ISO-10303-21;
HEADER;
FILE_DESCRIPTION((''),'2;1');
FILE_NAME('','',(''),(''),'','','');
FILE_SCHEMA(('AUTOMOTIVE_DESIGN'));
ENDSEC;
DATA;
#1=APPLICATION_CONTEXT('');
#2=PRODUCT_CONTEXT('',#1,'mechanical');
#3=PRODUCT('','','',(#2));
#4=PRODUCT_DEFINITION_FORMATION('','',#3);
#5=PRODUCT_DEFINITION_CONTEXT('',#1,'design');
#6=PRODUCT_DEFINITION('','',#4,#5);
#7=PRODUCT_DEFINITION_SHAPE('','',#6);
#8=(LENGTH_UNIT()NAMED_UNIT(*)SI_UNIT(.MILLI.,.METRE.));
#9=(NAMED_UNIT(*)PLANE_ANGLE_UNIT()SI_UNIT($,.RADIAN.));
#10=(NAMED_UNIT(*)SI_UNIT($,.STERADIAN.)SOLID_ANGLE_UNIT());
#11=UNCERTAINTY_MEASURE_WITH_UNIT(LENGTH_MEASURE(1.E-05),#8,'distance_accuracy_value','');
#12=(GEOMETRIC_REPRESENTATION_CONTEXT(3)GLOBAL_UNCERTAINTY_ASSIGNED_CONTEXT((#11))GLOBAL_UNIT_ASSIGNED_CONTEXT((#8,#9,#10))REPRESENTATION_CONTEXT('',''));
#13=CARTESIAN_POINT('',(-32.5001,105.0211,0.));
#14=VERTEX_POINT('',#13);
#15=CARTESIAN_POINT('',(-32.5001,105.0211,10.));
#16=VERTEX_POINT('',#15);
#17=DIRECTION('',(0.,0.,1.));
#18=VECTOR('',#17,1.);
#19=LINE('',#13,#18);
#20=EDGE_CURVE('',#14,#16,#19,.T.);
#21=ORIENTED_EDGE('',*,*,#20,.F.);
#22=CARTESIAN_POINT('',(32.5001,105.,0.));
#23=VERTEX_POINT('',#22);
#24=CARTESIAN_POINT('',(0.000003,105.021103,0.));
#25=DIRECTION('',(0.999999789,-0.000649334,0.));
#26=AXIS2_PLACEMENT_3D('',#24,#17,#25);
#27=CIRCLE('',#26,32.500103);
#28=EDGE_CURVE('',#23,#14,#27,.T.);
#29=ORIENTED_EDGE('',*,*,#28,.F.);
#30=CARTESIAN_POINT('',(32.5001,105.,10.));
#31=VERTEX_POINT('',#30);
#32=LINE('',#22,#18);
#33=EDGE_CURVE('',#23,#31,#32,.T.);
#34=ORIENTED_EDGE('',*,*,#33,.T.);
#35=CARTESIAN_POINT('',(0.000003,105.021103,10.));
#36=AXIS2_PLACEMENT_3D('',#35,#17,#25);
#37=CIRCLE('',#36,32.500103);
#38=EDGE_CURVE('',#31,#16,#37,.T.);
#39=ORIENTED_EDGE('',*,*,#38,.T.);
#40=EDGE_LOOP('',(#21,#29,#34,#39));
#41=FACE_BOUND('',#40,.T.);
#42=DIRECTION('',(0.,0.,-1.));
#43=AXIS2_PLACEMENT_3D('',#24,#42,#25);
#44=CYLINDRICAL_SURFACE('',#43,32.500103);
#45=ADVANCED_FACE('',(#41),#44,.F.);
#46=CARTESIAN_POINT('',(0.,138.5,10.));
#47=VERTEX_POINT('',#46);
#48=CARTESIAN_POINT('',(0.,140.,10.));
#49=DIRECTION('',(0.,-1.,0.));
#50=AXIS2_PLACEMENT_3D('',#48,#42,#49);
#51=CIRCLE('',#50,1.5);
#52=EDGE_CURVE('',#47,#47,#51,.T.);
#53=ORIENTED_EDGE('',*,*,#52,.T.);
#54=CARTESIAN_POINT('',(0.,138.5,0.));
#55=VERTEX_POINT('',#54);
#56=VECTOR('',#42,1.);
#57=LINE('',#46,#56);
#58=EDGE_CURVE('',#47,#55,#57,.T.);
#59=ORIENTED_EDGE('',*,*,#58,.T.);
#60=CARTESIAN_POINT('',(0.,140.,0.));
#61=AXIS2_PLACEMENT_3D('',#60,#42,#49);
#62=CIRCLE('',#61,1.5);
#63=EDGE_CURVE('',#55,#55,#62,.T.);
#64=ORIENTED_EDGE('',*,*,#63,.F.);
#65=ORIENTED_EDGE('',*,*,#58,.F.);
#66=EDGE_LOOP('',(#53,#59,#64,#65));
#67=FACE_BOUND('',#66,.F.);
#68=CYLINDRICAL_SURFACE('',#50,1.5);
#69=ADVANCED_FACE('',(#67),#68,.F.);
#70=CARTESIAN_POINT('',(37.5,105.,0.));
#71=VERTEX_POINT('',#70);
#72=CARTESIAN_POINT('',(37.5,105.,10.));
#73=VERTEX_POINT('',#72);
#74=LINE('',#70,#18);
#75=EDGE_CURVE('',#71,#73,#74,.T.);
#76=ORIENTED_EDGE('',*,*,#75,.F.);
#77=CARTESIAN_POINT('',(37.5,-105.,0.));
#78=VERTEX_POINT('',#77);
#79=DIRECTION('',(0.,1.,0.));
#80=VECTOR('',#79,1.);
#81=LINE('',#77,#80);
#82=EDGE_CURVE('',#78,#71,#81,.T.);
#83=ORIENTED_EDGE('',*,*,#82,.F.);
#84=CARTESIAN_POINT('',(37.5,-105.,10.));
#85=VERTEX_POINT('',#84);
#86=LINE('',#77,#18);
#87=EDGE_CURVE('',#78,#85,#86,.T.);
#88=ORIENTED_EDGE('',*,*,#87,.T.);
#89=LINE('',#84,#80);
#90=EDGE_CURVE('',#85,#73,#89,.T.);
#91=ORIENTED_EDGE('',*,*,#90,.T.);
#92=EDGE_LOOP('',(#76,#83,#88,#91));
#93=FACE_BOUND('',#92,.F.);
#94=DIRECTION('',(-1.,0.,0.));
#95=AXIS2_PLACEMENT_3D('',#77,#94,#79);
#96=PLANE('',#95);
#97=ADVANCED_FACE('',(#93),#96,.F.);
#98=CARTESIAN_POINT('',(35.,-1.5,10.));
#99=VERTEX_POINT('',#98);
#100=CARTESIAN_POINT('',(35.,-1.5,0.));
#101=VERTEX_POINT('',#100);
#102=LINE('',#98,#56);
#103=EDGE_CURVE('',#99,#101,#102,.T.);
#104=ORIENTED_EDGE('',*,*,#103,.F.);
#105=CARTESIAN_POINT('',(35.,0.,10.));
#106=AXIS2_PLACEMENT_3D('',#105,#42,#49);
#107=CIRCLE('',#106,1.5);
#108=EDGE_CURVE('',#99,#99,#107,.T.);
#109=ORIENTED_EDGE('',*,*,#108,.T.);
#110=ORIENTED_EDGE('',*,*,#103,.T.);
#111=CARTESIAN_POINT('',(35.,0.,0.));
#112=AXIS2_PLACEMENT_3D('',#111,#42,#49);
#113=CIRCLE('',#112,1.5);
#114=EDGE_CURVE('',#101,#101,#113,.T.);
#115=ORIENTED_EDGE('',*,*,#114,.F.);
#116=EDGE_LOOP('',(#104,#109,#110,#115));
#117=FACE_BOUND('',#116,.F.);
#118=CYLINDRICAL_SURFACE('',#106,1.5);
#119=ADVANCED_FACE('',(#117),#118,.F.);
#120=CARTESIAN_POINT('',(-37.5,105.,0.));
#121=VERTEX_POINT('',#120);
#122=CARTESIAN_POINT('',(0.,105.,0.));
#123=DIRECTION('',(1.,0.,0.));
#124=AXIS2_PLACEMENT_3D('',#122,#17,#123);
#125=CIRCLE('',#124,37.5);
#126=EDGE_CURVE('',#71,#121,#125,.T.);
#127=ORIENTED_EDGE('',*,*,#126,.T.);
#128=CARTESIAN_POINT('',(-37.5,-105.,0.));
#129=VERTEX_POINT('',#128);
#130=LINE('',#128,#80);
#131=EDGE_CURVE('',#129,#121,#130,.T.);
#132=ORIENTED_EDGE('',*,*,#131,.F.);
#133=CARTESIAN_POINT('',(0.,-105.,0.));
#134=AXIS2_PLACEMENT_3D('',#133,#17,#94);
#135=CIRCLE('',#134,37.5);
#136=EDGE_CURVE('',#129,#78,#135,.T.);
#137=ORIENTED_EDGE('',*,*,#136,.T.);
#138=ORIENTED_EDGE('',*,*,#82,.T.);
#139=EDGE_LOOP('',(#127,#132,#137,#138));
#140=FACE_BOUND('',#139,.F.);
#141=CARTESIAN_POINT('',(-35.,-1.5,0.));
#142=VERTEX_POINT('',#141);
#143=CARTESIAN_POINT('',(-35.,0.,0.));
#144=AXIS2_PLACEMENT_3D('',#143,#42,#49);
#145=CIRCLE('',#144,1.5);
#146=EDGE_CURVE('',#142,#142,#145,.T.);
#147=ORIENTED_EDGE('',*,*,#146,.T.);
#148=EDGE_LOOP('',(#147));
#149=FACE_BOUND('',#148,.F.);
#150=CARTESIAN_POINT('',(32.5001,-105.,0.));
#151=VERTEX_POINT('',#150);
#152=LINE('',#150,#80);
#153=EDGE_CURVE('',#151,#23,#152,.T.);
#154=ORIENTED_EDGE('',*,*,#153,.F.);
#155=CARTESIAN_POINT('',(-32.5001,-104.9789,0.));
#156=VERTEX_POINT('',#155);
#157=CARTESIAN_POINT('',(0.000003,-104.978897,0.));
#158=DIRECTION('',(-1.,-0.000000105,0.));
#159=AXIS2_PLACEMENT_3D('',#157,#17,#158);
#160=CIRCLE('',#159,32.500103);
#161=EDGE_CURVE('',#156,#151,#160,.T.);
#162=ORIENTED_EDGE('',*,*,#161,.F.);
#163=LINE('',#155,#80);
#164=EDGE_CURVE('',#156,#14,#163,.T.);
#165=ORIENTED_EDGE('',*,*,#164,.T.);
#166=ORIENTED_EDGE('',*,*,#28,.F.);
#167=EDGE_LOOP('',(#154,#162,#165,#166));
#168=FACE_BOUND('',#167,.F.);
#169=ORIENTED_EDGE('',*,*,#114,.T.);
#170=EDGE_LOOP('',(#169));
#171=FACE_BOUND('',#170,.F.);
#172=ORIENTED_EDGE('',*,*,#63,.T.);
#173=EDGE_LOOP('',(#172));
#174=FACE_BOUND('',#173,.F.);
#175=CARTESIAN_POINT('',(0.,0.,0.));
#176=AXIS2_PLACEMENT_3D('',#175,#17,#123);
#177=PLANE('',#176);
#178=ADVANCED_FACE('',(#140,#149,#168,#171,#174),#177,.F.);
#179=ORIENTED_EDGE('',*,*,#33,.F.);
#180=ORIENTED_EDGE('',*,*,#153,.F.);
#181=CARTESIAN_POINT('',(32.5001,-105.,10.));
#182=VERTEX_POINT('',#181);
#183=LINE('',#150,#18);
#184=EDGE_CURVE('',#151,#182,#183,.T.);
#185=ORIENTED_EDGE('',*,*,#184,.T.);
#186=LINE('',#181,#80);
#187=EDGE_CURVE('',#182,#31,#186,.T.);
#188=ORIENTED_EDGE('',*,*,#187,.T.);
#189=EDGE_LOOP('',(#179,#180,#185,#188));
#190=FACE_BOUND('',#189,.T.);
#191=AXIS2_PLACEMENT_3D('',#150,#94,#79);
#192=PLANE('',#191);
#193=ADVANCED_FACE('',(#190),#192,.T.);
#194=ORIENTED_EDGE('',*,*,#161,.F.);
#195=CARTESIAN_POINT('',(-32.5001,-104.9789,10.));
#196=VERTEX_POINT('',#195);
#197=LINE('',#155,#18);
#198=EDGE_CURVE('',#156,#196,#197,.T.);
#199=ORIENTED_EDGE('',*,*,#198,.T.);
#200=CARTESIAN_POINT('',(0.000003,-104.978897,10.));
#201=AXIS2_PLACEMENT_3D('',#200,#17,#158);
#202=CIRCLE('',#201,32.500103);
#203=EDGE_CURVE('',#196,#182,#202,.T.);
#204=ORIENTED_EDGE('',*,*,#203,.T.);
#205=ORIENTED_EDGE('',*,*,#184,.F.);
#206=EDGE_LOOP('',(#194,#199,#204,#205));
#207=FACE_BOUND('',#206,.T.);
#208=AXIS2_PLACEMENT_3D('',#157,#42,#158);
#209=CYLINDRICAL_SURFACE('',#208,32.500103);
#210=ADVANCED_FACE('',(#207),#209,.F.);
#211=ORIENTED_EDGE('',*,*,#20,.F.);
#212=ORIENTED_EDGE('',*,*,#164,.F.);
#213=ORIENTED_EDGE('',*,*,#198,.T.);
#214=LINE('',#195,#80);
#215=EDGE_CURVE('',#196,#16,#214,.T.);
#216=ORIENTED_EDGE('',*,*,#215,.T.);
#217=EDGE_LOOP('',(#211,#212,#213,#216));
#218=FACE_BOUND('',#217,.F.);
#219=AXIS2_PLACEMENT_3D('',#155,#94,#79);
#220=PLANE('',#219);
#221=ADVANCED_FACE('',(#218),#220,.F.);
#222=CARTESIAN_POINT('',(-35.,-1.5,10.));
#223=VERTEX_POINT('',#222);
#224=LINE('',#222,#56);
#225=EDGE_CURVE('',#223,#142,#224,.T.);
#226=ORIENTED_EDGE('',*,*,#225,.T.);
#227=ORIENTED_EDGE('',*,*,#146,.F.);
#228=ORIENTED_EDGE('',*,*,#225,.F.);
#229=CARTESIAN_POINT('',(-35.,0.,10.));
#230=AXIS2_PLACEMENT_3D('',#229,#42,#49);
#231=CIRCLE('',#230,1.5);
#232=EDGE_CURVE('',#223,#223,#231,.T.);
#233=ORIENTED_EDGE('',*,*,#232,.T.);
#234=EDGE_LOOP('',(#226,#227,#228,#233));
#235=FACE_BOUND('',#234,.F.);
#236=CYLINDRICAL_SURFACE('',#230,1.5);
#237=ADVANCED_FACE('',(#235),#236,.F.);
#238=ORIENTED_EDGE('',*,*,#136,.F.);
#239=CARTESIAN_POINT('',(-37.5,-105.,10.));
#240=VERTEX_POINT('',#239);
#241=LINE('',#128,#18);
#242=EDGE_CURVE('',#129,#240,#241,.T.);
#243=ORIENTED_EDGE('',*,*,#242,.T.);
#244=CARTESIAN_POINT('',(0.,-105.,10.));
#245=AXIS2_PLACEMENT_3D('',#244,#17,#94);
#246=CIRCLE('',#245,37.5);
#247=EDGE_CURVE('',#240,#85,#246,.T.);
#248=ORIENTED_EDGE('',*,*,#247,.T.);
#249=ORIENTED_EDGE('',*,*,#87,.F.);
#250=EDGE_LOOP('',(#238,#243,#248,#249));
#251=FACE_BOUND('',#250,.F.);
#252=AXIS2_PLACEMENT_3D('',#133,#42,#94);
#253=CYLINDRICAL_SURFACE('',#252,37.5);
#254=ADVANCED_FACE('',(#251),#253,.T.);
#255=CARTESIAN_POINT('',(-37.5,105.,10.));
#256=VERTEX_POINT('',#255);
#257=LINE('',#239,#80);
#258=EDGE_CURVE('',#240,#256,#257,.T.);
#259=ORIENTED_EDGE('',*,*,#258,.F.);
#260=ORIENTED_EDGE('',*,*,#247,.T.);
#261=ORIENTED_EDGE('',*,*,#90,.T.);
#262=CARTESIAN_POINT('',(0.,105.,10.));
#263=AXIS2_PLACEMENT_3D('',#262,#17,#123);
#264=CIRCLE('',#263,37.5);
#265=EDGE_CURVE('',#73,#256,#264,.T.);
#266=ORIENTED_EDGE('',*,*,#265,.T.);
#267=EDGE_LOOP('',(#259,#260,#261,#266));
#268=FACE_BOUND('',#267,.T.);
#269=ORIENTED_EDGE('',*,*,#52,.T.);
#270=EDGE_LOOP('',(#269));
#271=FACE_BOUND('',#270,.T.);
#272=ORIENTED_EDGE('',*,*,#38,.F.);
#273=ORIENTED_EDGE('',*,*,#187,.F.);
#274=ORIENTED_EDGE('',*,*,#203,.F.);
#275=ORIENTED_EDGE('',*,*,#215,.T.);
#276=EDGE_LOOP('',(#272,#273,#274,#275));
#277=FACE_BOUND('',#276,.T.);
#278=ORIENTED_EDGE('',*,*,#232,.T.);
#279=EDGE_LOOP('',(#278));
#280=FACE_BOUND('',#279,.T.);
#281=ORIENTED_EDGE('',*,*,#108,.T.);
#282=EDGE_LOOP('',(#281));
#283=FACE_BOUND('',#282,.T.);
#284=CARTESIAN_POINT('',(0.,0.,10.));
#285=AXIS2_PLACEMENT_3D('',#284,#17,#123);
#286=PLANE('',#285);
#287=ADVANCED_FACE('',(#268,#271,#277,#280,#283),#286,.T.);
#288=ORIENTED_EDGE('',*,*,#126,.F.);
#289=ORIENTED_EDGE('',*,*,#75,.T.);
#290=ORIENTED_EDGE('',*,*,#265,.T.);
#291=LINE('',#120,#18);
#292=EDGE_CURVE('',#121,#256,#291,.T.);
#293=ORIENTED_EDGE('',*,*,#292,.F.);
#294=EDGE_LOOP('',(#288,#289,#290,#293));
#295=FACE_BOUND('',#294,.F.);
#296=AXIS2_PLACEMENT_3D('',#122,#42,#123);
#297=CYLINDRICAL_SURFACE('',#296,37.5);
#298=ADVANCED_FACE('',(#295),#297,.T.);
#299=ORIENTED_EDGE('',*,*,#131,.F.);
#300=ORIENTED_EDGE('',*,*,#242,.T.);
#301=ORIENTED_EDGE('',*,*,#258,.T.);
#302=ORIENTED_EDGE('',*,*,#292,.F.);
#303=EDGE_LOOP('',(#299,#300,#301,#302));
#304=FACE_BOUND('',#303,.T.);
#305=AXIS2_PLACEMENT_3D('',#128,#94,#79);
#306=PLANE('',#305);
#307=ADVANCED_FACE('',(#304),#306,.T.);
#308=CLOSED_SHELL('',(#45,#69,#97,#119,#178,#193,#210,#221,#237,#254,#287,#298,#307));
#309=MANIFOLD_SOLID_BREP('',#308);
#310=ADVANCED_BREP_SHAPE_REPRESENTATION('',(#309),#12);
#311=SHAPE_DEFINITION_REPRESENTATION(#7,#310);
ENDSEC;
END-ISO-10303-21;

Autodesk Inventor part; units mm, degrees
ref_plane "YZ Plane" through (0, 0, 0) normal (1, 0, 0) x (0, 1, 0)
ref_plane "XZ Plane" through (0, 0, 0) normal (0, 1, 0) x (-1, 0, 0)
ref_plane "XY Plane" through (0, 0, 0) normal (0, 0, 1) x (1, 0, 0)
sketch "Sketch1" plane through (0, 0, 0) normal (0, 0, 1) x (1, 0, 0)
  line L0 (-32.5001, -104.9789) -> (-32.5001, 105.0211)
  line L1 (-32.5001, -104.9789) -> (177.4999, -104.9789) construction
  line L2 (32.5001, -105) -> (32.5001, 105)
  line L3 (32.5001, -105) -> (242.5001, -105) construction
  arc A0 (32.5001, 105) -> (-32.5001, 105.0211) centre (0, 105.0211) ccw
  arc A1 (-32.5001, -104.9789) -> (32.5001, -105) centre (0, -104.9789) ccw
  line L4 (-37.5, -105) -> (-37.5, 105)
  line L5 (-37.5, -105) -> (172.5, -105) construction
  line L6 (37.5, -105) -> (37.5, 105)
  line L7 (37.5, -105) -> (247.5, -105) construction
  arc A2 (-37.5, -105) -> (37.5, -105) centre (0, -105) ccw
  arc A3 (37.5, 105) -> (-37.5, 105) centre (0, 105) ccw
  point P0 (0, 0)
  dimension "d0" = 210
  dimension "d1" = 90
  dimension "d2" = 210
  dimension "d3" = 90
  dimension "d4" = 210
  dimension "d5" = 90
  dimension "d6" = 210
  dimension "d7" = 90
extrude "Extrusion1" add sketch "Sketch1" along normal blind 10
sketch "Sketch3" plane through (0, 0, 10) normal (0, 0, 1) x (1, 0, 0)
  circle A0 centre (-35, 0) radius 1.5
  circle A1 centre (0, -140) radius 1.5
  circle A2 centre (35, 0) radius 1.5
  point P0 (0, 0)
  dimension "d11" = 3
  dimension "d12" = 3
  dimension "d13" = 3
hole "Hole1" at (-35, 0, 10) direction (0, 0, -1) diameter 3 end through all
sketch "Sketch5" plane through (0, 0, 10) normal (0, 0, 1) x (1, 0, 0)
  circle A0 centre (35, 0) radius 1.5
  point P0 (0, 0)
  dimension "d31" = 3
hole "Hole3" at (35, 0, 10) direction (0, 0, -1) diameter 3 end through all
sketch "Sketch6" plane through (0, 0, 10) normal (0, 0, 1) x (1, 0, 0)
  circle A0 centre (0, 140) radius 1.5
  point P0 (0, 0)
  dimension "d39" = 3
hole "Hole4" at (0, 140, 10) direction (0, 0, -1) diameter 3 end through all
properties part number "Chain"
